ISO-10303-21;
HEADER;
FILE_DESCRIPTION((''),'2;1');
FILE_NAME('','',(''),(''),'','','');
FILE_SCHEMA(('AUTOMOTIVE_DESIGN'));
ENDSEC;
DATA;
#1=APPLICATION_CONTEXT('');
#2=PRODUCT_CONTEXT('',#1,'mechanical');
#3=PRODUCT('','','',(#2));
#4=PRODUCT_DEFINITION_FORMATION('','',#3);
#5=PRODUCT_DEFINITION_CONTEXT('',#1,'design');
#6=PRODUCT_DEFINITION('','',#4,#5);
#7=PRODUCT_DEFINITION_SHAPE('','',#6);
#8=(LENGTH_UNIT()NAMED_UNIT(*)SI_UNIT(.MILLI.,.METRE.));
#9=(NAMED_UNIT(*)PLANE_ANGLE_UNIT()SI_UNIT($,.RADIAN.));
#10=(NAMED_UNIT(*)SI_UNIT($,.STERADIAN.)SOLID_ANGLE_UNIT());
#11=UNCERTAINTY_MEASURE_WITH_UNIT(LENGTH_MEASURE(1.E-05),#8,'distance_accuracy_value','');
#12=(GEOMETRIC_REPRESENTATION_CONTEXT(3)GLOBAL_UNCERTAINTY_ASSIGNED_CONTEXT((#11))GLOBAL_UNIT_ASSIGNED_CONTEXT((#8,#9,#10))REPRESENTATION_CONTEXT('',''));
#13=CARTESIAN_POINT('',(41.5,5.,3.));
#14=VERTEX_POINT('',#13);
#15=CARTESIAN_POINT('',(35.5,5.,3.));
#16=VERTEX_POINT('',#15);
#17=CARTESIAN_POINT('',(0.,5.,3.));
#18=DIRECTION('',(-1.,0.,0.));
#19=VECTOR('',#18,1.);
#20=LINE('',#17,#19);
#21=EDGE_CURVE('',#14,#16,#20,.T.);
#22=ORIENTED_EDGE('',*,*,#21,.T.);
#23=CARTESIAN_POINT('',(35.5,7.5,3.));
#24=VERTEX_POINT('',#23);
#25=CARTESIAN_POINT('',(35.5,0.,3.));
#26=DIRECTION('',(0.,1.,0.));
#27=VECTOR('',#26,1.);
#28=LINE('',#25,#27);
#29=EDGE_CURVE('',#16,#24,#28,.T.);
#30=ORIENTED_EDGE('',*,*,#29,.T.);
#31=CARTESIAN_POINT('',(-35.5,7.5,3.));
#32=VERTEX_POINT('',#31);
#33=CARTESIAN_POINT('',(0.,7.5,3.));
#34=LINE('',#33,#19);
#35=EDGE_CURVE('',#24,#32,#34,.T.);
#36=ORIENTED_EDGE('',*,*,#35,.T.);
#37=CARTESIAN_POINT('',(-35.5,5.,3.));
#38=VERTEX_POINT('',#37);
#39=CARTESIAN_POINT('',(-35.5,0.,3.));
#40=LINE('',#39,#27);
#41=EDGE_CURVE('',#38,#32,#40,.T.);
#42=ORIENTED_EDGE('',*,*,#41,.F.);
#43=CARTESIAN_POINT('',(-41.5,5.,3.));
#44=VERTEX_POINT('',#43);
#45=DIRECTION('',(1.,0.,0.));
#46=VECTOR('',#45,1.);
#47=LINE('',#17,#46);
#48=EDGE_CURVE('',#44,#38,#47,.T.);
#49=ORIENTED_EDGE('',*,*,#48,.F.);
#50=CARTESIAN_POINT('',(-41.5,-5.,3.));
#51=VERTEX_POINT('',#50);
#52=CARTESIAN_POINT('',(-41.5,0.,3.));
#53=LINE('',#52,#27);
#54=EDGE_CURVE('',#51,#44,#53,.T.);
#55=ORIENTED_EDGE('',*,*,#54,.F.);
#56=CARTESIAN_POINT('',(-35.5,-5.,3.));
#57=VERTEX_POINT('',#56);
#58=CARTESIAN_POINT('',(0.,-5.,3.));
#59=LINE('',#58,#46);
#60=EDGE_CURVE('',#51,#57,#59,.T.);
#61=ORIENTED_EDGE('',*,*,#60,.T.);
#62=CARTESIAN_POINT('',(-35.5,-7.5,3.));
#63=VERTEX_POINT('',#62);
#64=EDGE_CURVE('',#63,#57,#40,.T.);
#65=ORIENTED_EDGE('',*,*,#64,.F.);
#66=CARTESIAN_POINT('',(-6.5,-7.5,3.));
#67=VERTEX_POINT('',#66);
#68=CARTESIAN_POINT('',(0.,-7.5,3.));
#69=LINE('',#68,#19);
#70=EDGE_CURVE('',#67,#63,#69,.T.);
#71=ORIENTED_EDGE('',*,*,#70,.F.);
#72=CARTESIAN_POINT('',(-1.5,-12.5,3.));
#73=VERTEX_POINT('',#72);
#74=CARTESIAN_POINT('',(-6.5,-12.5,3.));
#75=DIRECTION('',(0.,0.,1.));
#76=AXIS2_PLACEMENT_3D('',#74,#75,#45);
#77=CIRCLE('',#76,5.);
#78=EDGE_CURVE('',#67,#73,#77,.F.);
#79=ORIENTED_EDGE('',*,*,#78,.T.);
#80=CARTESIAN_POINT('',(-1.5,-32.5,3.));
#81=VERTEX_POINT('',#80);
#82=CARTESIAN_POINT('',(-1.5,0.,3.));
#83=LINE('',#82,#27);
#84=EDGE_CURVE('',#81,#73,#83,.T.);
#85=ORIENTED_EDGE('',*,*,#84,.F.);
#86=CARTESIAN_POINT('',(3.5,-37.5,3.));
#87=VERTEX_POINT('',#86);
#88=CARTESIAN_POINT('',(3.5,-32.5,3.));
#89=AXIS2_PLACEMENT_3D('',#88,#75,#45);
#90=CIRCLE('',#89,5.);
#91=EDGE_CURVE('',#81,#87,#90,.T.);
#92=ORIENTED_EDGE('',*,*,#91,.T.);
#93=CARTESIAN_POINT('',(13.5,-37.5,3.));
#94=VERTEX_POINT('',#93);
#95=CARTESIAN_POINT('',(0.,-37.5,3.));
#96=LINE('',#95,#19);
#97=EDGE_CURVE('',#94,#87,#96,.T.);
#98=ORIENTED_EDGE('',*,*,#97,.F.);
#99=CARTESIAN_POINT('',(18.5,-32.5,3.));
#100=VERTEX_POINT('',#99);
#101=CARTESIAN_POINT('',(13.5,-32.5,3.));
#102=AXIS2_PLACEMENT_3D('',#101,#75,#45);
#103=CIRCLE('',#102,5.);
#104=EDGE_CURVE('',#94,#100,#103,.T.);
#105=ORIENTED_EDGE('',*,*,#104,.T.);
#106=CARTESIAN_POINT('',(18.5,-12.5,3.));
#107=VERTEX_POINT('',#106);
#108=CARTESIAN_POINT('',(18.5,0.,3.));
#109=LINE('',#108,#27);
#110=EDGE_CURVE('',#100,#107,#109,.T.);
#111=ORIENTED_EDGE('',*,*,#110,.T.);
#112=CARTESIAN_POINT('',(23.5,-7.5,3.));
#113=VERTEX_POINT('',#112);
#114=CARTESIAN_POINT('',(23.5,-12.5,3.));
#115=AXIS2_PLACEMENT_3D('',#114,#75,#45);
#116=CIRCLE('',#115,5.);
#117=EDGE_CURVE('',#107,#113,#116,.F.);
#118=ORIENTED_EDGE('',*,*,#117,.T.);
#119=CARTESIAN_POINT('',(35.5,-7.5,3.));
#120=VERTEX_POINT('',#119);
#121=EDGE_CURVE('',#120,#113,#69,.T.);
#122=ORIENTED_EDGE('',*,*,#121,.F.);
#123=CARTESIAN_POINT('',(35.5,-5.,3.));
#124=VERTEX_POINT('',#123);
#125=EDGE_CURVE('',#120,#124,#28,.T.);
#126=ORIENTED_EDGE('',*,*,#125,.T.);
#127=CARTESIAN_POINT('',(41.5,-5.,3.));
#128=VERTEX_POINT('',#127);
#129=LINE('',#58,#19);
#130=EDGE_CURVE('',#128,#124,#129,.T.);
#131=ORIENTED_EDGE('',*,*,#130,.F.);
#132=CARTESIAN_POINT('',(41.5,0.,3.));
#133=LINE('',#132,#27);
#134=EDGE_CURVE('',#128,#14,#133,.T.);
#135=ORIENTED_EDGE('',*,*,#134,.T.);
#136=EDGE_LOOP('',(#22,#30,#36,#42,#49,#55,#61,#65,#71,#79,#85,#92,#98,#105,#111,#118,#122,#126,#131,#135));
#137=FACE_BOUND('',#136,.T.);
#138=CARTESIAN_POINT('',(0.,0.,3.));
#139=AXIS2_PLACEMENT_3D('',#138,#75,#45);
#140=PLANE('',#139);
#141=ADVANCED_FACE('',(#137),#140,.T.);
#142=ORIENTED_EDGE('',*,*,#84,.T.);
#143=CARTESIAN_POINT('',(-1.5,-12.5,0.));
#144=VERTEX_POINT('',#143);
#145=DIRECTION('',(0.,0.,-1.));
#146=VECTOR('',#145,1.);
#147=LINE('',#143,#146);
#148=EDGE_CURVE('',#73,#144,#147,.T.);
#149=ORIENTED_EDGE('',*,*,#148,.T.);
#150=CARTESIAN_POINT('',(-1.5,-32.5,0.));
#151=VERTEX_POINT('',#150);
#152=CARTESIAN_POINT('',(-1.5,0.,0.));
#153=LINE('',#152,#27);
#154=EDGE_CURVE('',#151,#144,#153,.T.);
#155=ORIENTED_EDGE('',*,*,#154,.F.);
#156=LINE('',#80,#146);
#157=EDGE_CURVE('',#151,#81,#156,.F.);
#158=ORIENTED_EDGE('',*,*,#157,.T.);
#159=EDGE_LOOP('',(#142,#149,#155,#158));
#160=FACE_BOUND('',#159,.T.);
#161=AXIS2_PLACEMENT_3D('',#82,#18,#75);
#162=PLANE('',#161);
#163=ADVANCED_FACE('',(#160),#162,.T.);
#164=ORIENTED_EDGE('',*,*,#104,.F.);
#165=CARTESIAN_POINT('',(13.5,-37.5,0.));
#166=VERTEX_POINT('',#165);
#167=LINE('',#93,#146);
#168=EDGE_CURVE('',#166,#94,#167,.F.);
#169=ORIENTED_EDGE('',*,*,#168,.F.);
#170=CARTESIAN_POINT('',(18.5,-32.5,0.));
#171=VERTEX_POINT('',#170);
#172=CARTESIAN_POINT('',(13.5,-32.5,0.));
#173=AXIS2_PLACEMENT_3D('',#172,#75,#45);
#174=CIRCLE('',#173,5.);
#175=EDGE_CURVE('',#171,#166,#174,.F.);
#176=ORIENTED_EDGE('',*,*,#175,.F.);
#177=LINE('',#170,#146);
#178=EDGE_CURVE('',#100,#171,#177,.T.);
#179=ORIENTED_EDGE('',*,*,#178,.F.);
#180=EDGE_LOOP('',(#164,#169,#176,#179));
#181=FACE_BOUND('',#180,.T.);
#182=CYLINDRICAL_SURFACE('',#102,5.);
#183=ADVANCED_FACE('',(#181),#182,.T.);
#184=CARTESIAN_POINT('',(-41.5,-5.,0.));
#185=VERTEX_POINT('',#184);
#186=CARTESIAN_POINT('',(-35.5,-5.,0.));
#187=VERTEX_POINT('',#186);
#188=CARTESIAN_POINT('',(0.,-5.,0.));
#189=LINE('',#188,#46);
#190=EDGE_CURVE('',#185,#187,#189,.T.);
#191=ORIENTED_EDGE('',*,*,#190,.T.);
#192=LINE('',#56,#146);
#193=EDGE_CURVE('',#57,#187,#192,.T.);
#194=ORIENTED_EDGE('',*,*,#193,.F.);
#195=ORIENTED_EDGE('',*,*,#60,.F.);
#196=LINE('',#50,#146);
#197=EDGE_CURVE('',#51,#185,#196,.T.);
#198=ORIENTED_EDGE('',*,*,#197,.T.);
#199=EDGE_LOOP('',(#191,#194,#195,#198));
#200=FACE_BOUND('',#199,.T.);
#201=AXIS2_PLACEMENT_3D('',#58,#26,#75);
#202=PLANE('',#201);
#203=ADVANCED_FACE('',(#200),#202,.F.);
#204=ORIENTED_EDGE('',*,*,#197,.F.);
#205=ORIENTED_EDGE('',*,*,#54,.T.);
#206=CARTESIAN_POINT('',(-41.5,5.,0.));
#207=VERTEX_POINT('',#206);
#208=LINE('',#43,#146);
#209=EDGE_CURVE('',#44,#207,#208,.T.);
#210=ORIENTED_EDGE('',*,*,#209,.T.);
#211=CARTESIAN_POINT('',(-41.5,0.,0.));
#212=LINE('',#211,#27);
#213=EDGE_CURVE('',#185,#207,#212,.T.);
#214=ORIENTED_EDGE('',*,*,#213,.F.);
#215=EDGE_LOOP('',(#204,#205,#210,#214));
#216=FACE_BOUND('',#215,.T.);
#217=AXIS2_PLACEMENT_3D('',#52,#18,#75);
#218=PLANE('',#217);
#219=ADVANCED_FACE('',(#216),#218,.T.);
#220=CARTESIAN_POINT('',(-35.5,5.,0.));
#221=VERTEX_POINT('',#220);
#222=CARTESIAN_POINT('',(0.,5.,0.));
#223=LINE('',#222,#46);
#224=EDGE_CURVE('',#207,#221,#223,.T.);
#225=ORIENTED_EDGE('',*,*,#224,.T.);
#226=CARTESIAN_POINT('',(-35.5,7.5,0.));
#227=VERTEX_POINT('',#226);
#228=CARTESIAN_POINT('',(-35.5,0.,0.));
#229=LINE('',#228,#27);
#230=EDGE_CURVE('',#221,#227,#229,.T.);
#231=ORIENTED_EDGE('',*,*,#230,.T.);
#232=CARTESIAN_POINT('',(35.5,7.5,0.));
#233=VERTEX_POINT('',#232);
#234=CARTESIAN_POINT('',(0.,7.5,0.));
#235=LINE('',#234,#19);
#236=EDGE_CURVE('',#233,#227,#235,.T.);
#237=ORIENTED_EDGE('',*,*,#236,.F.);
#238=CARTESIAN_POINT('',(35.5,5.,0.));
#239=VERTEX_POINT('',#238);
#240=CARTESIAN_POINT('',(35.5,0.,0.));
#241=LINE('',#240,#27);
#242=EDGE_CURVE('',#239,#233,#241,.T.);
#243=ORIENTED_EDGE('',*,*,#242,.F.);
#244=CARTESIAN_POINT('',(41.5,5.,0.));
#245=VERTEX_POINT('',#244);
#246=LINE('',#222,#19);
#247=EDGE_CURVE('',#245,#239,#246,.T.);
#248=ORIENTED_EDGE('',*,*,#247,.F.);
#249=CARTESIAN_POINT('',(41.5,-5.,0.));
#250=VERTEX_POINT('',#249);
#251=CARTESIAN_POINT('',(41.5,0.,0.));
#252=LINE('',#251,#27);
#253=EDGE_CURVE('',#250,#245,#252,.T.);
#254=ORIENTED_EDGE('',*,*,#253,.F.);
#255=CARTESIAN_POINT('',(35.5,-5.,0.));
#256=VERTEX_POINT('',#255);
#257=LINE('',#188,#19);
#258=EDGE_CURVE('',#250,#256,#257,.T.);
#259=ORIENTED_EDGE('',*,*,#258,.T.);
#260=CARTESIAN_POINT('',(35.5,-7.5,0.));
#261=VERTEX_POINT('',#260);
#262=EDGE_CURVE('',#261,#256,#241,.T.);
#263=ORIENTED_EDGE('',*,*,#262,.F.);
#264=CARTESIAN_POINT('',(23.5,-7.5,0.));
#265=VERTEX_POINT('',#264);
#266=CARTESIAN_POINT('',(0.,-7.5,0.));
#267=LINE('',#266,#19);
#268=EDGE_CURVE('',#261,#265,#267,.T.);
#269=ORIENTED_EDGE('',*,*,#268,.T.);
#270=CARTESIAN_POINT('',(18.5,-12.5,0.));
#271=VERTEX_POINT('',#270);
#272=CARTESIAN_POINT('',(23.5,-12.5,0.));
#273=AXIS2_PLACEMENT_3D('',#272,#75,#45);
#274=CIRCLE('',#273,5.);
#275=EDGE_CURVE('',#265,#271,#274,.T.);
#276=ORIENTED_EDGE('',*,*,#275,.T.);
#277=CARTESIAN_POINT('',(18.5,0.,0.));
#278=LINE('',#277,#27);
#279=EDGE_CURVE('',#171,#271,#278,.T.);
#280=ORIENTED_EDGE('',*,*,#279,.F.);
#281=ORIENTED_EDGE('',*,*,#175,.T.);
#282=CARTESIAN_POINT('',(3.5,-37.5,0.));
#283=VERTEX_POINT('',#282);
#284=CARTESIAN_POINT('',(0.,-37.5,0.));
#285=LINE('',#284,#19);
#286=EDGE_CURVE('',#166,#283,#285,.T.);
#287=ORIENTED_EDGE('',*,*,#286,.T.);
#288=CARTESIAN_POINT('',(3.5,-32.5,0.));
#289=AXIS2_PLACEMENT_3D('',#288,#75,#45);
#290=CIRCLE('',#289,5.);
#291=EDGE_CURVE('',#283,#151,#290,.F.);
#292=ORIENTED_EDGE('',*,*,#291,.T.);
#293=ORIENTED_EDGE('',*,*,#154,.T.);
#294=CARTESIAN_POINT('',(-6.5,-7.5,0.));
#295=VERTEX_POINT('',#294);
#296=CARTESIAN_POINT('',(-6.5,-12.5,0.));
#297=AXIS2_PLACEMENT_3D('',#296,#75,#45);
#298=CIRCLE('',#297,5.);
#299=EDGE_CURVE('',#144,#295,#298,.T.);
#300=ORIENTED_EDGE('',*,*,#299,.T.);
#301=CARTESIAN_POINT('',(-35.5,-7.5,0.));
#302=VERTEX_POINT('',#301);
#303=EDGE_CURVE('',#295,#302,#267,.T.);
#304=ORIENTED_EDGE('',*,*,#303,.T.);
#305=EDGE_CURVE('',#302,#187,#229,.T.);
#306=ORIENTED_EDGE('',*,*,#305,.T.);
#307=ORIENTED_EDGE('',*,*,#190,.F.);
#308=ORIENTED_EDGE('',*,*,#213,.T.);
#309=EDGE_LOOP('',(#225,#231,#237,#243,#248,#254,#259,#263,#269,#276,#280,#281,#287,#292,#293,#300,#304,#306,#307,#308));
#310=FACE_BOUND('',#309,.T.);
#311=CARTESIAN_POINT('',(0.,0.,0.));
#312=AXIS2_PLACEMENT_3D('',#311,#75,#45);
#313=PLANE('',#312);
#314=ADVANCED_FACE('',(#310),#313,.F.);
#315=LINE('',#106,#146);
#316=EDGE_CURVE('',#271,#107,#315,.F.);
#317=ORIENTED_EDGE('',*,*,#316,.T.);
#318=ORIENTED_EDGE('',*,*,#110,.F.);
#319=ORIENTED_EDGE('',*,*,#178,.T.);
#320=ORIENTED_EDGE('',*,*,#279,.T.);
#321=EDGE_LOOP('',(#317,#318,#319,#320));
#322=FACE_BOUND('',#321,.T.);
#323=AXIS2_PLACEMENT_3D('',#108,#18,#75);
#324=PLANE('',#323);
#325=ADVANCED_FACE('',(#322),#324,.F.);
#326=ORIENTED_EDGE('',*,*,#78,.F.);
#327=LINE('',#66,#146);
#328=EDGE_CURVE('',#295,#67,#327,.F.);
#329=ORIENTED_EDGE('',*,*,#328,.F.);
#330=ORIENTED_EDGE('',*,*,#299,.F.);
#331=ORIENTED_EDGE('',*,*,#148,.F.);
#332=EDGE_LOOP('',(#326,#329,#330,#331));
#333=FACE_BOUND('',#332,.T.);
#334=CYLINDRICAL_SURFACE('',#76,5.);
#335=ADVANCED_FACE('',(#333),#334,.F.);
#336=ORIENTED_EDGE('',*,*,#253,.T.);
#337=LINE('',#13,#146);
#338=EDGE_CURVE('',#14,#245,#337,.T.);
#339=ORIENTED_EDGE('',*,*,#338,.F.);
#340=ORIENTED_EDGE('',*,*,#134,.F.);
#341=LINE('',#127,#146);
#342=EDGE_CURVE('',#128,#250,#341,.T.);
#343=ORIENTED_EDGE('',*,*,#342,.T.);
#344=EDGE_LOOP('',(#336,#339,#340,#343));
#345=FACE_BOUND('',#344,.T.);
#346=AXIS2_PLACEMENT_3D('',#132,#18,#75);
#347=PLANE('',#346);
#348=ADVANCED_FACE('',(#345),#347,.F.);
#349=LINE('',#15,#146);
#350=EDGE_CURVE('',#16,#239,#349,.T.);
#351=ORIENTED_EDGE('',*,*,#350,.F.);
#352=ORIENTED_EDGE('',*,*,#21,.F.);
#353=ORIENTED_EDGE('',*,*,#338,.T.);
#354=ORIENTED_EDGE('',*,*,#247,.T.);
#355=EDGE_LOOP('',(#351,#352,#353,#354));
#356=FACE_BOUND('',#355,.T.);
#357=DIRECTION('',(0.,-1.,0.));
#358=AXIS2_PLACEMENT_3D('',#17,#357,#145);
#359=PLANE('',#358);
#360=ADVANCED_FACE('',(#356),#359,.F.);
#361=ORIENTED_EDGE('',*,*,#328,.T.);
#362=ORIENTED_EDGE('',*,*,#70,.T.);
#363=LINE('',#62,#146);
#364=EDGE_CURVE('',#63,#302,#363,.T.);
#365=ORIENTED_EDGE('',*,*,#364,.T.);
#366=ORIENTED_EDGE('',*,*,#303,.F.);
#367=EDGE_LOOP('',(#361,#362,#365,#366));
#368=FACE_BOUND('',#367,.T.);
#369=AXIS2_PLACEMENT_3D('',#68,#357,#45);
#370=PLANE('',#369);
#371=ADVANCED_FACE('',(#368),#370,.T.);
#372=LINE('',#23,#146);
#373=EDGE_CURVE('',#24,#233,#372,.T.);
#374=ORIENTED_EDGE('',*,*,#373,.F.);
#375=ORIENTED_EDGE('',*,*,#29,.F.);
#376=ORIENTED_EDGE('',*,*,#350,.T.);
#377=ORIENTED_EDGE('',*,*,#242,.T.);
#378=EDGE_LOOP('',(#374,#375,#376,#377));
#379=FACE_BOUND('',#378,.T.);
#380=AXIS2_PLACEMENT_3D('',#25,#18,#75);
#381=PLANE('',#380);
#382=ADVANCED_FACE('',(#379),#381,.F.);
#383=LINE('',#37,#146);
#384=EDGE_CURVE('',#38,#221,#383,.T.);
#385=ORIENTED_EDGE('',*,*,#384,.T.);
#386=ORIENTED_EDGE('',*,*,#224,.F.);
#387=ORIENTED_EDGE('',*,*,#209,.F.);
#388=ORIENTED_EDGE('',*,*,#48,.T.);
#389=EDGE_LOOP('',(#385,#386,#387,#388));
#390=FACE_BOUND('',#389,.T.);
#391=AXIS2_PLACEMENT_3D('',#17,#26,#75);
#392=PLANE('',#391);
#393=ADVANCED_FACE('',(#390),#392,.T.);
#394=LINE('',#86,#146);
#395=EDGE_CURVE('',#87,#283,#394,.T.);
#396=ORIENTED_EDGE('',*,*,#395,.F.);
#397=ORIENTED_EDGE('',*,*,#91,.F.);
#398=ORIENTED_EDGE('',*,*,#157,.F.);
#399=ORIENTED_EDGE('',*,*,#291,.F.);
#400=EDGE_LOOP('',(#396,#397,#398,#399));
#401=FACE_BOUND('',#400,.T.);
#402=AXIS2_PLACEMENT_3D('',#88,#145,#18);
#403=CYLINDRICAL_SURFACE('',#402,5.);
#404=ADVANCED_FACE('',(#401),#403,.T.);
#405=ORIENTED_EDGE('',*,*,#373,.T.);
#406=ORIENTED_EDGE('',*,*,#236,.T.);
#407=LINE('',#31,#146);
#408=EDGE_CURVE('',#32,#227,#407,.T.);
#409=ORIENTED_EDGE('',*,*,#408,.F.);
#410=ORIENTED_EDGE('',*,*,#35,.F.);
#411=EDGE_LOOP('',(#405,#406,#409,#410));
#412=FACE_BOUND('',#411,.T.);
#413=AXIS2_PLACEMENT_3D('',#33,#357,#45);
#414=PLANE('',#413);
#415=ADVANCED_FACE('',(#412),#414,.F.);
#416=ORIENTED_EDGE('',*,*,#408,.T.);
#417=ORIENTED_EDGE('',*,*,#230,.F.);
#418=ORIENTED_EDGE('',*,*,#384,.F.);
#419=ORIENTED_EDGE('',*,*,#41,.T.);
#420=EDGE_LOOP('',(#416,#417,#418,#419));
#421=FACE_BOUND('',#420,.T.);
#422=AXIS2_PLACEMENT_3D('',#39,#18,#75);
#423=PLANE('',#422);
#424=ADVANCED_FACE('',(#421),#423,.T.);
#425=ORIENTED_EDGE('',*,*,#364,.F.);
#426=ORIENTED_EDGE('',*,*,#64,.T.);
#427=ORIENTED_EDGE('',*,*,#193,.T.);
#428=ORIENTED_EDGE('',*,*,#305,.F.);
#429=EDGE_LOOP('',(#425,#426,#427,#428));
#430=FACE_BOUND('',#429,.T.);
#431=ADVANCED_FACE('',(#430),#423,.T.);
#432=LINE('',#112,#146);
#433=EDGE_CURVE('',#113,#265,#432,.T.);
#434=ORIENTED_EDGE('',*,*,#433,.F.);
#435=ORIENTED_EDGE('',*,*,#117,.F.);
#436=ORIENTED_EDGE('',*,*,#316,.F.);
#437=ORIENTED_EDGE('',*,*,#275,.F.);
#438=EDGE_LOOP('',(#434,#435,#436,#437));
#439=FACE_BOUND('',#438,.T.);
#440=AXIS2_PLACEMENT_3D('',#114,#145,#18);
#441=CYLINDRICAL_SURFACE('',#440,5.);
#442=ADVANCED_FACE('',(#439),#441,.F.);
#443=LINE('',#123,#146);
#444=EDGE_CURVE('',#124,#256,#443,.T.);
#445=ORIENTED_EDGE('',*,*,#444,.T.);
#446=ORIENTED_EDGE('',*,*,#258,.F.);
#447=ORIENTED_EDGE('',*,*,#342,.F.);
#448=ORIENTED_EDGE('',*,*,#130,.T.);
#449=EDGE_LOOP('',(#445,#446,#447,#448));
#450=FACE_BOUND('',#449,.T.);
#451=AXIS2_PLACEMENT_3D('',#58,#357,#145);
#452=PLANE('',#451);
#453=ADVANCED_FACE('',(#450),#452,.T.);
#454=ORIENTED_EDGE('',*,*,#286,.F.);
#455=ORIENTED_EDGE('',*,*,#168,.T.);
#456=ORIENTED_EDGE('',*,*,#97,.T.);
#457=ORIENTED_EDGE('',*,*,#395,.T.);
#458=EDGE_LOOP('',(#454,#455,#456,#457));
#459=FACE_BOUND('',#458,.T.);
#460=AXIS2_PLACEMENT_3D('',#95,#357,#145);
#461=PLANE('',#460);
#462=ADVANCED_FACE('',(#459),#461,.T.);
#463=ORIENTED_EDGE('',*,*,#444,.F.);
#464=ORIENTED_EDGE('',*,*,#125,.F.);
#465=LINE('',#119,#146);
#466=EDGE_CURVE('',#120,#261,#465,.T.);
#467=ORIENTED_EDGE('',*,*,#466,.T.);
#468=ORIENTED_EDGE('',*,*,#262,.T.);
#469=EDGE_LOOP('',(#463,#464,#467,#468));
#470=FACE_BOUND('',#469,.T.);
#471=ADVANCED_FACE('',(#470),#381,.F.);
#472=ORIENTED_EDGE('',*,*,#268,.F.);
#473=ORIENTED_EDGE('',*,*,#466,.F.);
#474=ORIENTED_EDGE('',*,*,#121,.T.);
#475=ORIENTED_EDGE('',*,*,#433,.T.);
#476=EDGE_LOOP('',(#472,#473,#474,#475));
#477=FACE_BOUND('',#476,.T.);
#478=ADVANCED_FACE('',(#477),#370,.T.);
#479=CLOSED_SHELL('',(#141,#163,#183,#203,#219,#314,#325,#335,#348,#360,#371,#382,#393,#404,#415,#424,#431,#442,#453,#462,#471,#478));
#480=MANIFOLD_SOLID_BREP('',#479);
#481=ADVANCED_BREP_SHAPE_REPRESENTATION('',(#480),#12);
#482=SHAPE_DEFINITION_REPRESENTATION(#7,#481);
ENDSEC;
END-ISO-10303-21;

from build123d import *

# Parameters (mm, degrees)
ESBO_O1_W                = 71
ESBO_O1_H                = 15
ESBO_O1_W_2              = 20
ESBO_O1_H_2              = 30
ESBO_O1_W_3              = 6
ESBO_O1_H_3              = 10
RESSALTO_EXTRUS_O1_DEPTH = 3
FILETE1_R                = 5


with BuildPart() as part:
    # Esboço1 → Ressalto-extrusão1 (new body)
    with BuildSketch(Plane.XY):
        Rectangle(ESBO_O1_W, ESBO_O1_H)
        with Locations((8.5, -22.5)):
            Rectangle(ESBO_O1_W_2, ESBO_O1_H_2)
        with Locations((38.5, 0)):
            Rectangle(ESBO_O1_W_3, ESBO_O1_H_3)
        with Locations((-38.5, 0)):
            Rectangle(ESBO_O1_W_3, ESBO_O1_H_3)
    extrude(amount=RESSALTO_EXTRUS_O1_DEPTH)

    # Filete1
    filete1_edges = [part.edges().sort_by_distance(p)[0] for p in [
        (18.5, -7.5, 1.5),
        (18.5, -37.5, 1.5),
        (-1.5, -37.5, 1.5),
        (-1.5, -7.5, 1.5),
    ]]
    fillet(filete1_edges, radius=FILETE1_R)


solid = part.part
